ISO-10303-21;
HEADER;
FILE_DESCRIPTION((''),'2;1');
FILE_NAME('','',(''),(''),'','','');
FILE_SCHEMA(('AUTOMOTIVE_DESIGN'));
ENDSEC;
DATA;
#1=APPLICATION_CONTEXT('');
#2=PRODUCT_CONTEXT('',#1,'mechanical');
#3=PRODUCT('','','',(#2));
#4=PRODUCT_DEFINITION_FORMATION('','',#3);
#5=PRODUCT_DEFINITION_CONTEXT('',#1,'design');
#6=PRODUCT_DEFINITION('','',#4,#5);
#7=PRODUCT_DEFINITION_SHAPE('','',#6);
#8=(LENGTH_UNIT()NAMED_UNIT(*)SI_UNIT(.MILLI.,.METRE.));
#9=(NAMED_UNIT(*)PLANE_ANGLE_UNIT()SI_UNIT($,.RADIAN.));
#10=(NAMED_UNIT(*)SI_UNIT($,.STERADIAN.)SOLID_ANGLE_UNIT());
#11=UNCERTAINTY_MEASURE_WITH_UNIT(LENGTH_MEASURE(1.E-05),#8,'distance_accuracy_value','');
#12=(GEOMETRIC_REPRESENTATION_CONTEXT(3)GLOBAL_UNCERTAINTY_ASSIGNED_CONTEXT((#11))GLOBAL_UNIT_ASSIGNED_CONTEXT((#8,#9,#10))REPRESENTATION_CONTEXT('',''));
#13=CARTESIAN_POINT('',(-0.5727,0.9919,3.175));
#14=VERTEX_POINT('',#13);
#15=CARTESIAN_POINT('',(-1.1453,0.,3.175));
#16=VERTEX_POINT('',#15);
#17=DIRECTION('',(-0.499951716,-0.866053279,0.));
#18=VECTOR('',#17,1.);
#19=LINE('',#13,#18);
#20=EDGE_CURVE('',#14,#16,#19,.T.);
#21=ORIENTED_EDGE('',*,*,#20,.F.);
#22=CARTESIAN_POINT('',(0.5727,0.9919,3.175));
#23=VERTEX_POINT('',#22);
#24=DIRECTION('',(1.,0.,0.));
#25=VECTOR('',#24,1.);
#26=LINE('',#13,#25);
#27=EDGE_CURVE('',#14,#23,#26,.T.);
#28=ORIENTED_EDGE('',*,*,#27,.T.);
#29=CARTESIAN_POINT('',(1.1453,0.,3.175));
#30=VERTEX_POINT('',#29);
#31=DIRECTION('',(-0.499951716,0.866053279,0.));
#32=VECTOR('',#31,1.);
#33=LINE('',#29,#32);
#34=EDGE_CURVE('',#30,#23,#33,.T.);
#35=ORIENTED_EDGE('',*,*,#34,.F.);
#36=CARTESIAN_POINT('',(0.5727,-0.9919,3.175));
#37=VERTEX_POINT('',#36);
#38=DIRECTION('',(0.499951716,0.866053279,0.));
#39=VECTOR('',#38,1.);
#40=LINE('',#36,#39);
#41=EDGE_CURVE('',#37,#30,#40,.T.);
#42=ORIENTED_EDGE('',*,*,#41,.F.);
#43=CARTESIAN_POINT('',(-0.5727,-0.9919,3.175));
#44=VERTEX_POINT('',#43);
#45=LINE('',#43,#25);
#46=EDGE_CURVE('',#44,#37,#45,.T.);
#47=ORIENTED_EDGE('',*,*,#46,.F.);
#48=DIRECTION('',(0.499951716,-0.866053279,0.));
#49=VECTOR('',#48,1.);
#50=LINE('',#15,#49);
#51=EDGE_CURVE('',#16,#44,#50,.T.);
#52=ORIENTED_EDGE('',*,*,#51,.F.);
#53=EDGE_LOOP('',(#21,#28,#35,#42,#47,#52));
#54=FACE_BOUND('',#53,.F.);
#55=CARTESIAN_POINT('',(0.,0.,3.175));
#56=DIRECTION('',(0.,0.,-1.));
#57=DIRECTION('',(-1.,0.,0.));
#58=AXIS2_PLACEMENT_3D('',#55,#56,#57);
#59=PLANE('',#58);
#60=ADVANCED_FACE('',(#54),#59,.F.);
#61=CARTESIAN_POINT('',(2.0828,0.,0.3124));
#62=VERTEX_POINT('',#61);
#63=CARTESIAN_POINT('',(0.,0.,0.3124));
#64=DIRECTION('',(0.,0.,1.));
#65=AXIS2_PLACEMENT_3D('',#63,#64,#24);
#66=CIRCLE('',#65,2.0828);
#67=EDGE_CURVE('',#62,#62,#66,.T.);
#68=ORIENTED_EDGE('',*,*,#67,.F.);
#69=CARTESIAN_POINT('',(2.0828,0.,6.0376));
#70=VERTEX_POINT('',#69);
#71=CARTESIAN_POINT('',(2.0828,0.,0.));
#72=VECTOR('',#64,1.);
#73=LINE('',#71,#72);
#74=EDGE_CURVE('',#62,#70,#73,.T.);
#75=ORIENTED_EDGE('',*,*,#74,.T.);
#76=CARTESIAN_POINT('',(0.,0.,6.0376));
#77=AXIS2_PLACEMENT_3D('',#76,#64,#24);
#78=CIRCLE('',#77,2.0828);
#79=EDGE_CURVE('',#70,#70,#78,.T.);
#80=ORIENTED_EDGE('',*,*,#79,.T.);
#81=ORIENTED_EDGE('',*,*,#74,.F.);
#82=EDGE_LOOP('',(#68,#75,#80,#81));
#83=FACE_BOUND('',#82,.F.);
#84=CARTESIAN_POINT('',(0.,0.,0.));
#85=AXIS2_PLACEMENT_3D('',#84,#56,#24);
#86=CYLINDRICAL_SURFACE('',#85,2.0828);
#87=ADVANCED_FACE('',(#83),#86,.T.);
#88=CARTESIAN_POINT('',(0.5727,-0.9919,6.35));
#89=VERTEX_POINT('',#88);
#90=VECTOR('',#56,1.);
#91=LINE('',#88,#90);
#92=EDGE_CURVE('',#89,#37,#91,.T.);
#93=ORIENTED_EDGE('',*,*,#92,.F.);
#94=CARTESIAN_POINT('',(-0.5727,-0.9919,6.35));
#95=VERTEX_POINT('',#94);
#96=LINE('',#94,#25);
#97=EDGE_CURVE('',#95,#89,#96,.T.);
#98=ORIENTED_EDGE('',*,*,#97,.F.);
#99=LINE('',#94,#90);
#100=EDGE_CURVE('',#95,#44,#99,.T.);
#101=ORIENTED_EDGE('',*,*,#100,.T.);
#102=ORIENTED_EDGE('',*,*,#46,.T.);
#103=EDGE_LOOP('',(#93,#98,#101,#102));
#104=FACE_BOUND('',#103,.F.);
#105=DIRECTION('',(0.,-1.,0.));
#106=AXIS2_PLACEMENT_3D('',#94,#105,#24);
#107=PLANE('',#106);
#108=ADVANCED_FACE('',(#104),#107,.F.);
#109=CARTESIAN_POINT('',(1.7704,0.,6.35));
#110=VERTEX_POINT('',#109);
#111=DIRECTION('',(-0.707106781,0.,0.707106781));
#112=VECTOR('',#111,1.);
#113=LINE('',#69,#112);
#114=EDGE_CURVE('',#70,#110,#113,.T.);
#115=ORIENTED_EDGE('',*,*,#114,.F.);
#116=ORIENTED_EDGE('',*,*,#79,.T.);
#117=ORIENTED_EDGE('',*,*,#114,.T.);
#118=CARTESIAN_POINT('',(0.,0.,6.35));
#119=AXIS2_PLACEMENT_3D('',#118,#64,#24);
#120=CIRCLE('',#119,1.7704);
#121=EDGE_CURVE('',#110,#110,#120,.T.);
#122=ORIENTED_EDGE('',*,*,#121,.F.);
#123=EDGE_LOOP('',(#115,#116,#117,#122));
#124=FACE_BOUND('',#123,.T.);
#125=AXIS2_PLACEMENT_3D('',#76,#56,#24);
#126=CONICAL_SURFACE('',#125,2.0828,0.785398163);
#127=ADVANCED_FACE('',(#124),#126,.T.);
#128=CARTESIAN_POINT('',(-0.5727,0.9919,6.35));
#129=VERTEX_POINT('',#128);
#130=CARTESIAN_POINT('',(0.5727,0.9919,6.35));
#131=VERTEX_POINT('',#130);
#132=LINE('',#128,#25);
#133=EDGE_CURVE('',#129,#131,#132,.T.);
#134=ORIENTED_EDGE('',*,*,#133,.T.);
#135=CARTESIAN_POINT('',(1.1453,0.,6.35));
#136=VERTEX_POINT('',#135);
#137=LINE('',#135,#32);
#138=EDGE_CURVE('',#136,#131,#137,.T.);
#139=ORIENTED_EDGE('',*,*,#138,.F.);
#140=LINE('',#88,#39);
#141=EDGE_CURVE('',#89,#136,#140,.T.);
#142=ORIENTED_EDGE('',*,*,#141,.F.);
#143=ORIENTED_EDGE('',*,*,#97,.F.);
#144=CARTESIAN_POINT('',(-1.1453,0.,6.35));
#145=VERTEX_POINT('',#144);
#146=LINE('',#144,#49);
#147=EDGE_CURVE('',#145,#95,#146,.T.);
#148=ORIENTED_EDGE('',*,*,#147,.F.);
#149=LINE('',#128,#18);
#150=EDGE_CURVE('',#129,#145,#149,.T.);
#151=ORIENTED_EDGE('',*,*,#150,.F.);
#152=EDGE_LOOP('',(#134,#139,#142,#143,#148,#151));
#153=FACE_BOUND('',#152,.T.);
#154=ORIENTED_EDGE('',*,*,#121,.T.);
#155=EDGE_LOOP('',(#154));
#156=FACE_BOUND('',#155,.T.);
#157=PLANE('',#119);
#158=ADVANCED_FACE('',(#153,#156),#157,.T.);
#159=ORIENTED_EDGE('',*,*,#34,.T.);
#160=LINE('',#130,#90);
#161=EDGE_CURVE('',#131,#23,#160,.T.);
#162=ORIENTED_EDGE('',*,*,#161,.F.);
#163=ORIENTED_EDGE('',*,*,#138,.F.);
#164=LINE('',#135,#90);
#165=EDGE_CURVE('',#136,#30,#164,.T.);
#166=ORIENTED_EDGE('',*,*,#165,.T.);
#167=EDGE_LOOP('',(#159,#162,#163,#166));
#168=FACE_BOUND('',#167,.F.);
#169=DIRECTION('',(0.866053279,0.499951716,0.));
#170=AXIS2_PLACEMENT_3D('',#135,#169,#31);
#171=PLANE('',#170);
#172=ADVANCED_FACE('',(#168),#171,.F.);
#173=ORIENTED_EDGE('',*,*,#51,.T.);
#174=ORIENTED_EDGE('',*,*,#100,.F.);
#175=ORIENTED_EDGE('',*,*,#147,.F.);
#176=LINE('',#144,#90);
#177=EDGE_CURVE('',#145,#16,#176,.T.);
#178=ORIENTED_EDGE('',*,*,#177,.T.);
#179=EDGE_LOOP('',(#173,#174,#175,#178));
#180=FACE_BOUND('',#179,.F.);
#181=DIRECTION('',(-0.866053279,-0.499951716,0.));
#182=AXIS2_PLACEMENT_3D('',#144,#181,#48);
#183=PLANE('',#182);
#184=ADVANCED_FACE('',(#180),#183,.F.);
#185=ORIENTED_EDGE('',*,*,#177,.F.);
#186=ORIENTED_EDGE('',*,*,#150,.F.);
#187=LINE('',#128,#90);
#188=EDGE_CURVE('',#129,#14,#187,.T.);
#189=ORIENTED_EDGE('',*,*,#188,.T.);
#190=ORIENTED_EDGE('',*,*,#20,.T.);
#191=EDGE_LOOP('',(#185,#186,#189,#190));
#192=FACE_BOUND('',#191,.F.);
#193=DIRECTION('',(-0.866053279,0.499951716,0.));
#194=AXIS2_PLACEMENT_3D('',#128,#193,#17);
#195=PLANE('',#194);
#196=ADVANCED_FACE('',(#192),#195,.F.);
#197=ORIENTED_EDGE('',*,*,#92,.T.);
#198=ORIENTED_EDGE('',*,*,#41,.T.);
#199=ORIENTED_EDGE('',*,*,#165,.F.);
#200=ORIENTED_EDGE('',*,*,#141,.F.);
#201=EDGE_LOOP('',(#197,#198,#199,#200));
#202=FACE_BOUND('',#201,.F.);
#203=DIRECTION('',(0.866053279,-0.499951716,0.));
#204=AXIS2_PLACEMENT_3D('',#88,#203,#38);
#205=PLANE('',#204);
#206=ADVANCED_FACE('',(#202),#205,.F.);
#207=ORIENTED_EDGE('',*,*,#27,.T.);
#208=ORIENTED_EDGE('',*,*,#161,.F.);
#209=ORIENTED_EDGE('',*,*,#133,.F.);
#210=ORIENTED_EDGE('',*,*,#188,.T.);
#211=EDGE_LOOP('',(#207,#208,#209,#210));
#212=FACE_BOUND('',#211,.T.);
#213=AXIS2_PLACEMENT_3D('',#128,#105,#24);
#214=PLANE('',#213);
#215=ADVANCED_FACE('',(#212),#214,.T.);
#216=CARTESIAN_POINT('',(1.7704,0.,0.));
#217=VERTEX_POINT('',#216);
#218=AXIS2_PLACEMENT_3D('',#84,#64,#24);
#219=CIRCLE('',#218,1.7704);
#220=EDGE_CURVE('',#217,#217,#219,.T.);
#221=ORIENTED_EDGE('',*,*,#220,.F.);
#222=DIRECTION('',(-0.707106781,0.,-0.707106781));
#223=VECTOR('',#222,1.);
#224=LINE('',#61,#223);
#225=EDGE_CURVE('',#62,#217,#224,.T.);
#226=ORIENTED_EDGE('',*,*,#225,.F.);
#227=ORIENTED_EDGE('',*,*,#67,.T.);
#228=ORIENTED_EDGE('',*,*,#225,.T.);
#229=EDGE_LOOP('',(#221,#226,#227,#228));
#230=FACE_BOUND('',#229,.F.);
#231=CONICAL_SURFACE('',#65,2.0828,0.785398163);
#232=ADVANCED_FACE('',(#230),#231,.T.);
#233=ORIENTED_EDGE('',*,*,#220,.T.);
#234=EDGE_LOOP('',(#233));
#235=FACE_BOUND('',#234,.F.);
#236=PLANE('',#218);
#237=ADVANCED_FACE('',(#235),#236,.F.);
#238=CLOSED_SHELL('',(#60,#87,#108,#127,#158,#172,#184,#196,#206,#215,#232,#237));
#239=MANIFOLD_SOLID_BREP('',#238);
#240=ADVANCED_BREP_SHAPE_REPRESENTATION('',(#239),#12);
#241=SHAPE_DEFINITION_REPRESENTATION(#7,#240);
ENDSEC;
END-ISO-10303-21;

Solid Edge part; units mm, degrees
sketch "Sketch1" plane through (0, 0, 0) normal (0, 0, 1) x (1, 0, 0)
  circle A0 centre (0, 0) radius 2.0828
  dimension "D1" = 4.1656
extrude "Protrusion1" add sketch "Sketch1" along normal blind 6.35
chamfer "Chamfer1" distance 0.3124 angle 45 2 edges at (-2.0828, 0, 0) (-2.0828, 0, 6.35)
sketch "Sketch2" plane through (0, 0, 6.35) normal (0, 0, 1) x (1, 0, 0)
  line L0 (-0.5727, 0.9919) -> (0.5727, 0.9919)
  line L1 (1.1453, 0) -> (0.5727, 0.9919)
  line L2 (0.5727, -0.9919) -> (1.1453, 0)
  line L3 (-0.5727, -0.9919) -> (0.5727, -0.9919)
  line L4 (-1.1453, 0) -> (-0.5727, -0.9919)
  line L5 (-0.5727, 0.9919) -> (-1.1453, 0)
  dimension "D1" = 1.9837
extrude "Cutout1" cut sketch "Sketch2" against normal blind 3.175
properties part number "24101626"
